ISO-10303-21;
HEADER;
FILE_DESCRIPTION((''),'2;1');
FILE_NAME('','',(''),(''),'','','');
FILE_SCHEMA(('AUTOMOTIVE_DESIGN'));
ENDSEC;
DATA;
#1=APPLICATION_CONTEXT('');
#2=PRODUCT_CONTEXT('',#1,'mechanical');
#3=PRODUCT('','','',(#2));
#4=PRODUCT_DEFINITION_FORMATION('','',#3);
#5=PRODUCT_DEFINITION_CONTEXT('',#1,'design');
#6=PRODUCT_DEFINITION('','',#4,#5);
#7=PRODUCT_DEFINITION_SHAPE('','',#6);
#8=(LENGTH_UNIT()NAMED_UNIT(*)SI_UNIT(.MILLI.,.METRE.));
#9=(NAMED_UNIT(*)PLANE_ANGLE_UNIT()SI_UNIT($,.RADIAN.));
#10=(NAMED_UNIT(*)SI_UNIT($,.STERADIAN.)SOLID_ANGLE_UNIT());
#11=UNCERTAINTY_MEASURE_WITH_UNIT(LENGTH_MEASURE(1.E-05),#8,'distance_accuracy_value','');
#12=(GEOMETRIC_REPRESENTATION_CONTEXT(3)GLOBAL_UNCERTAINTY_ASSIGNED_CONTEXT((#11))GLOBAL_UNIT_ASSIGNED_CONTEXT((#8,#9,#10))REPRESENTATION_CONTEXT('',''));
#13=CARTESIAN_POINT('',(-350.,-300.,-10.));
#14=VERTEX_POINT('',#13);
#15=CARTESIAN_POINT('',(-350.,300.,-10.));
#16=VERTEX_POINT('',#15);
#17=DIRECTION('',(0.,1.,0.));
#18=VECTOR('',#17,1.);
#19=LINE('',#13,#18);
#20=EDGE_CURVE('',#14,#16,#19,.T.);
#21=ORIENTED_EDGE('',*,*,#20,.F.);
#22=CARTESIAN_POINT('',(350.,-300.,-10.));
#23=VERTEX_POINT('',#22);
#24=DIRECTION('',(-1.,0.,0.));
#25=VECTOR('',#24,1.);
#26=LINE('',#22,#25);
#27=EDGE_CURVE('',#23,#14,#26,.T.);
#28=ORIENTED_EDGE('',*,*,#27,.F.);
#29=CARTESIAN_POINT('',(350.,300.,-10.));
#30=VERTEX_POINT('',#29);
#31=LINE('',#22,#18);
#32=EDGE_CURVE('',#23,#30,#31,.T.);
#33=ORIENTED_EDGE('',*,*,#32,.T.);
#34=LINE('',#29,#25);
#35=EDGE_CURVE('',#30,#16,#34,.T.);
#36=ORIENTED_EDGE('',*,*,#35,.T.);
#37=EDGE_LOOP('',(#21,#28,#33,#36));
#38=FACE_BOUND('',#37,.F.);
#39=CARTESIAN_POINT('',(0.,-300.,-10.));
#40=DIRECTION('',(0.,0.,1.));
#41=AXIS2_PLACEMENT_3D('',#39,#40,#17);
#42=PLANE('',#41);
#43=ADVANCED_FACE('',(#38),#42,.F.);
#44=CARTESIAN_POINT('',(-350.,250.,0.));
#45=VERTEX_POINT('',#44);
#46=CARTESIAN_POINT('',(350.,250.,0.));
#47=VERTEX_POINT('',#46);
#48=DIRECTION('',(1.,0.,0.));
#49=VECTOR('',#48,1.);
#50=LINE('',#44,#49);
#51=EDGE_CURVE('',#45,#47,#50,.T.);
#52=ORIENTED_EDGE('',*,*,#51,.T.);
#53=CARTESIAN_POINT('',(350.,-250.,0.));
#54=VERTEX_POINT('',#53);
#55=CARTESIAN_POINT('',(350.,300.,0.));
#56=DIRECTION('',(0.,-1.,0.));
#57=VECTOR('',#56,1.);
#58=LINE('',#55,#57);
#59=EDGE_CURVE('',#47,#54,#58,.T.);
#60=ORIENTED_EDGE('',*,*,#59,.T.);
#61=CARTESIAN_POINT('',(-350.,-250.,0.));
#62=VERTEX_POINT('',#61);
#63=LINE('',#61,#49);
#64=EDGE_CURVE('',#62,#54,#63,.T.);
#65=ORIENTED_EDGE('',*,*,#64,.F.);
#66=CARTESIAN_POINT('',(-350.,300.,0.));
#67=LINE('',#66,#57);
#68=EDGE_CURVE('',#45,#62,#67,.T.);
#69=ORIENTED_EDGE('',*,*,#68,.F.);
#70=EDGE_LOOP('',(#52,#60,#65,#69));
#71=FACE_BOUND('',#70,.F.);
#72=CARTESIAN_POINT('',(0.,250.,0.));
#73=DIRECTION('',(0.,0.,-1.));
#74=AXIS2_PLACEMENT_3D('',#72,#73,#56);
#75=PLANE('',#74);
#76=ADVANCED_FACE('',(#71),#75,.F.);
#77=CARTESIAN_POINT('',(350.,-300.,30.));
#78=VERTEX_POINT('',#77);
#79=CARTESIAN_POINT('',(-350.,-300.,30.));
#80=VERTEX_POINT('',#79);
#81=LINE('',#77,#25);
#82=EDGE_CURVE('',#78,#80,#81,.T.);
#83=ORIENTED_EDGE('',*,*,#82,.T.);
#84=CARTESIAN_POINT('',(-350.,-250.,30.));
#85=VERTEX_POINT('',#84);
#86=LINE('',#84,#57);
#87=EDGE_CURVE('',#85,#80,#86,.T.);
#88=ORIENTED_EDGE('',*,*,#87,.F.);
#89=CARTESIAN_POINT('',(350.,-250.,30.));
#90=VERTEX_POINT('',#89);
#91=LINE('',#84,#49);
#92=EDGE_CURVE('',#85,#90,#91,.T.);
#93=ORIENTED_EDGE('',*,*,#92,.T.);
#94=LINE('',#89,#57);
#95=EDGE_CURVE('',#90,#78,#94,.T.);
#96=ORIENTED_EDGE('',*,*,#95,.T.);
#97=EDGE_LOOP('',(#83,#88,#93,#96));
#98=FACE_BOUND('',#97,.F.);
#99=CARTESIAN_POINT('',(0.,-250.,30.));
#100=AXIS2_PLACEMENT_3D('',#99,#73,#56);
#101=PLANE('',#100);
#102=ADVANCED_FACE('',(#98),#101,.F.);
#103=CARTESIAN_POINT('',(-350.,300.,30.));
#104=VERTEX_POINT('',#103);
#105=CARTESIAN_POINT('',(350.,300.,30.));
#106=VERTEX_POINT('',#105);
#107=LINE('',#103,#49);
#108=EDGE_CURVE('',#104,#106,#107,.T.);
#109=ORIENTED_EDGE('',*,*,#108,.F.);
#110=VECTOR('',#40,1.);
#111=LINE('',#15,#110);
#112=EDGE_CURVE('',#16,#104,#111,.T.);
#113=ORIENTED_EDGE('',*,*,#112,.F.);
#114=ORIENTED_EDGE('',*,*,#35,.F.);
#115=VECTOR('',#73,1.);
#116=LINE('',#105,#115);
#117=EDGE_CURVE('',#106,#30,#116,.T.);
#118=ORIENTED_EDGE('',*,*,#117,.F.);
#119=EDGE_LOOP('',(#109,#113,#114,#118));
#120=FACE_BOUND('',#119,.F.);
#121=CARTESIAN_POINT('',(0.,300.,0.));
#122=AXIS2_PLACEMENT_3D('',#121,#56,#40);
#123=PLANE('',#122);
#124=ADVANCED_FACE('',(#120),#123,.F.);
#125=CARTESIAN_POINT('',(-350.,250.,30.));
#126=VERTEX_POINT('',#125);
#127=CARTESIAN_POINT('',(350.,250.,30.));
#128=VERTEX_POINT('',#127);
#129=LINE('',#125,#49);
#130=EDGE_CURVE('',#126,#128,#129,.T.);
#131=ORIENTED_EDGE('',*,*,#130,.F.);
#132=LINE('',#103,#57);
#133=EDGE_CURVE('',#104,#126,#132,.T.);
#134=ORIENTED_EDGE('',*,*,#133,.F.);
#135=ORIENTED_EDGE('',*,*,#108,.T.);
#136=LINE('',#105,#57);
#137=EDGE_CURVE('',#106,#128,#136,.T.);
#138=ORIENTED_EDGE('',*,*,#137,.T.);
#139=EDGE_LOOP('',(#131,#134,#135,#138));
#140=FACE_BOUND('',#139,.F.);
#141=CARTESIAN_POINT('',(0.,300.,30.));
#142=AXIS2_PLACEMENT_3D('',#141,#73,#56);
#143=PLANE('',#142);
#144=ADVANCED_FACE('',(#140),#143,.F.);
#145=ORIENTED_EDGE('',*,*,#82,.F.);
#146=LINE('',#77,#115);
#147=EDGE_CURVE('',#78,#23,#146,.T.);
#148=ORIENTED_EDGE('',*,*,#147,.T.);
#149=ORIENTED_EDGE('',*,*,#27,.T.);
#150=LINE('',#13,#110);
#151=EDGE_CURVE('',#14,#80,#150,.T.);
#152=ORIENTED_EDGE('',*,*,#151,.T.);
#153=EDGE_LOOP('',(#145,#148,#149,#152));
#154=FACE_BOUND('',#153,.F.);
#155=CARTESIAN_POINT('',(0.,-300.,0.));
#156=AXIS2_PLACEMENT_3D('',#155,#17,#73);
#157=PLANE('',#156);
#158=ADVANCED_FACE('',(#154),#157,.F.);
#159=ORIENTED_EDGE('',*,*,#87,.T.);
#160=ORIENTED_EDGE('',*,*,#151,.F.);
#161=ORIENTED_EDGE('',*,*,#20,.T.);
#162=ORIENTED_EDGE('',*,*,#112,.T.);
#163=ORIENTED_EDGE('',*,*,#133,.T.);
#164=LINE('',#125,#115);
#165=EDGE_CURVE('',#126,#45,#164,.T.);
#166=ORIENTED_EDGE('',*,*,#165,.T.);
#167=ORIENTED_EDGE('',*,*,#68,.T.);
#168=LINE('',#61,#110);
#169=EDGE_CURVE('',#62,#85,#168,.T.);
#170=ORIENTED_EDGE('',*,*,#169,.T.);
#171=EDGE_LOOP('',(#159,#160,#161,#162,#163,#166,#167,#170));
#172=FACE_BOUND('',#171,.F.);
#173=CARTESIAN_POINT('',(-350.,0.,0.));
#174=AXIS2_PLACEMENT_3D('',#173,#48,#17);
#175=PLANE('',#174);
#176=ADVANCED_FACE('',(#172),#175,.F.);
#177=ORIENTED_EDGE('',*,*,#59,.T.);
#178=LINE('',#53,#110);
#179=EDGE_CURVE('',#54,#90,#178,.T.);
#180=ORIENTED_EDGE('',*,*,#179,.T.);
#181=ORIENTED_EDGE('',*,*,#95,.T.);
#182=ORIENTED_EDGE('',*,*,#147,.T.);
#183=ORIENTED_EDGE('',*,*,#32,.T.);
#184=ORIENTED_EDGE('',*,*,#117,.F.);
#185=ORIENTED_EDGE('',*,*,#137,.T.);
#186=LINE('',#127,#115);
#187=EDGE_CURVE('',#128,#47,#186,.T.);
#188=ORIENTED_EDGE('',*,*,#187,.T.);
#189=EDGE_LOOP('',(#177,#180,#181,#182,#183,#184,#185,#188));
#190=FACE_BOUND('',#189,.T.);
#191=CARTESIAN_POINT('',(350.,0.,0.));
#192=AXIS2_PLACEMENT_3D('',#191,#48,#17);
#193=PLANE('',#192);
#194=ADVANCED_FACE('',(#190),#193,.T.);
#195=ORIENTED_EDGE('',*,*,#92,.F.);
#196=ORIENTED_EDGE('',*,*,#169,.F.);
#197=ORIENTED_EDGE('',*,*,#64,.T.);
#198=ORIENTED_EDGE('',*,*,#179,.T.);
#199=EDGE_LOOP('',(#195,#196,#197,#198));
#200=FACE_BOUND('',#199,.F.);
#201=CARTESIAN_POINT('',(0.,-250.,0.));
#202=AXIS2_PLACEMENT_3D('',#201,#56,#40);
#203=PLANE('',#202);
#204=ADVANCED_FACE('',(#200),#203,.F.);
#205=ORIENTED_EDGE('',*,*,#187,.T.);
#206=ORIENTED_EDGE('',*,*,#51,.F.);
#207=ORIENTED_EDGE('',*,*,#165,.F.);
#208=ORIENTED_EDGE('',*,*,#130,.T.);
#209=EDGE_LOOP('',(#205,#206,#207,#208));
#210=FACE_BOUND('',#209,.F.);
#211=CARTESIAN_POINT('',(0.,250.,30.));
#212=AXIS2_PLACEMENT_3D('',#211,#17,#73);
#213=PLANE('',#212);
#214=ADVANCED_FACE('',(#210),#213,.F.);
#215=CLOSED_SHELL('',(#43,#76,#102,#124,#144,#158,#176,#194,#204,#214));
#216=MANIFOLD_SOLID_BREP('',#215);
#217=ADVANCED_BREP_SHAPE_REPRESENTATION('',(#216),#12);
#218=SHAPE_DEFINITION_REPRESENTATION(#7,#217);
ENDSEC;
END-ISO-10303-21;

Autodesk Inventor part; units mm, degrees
ref_plane "YZ Plane" through (0, 0, 0) normal (1, 0, 0) x (0, 1, 0)
ref_plane "XZ Plane" through (0, 0, 0) normal (0, 1, 0) x (-1, 0, 0)
ref_plane "XY Plane" through (0, 0, 0) normal (0, 0, 1) x (1, 0, 0)
sketch "Skizze1" plane through (0, 0, 0) normal (1, 0, 0) x (0, 1, 0)
  line L0 (300, 30) -> (250, 30)
  line L1 (250, 30) -> (250, 0)
  line L2 (250, 0) -> (300, 0)
  line L3 (300, 0) -> (300, 30)
  line L4 (-250, 30) -> (-300, 30)
  line L5 (-300, 30) -> (-300, 0)
  line L6 (-300, 0) -> (-250, 0)
  line L7 (-250, 0) -> (-250, 30)
  line L8 (300, 0) -> (-300, 0)
  line L9 (-300, 0) -> (-300, -10)
  line L10 (-300, -10) -> (300, -10)
  line L11 (300, -10) -> (300, 0)
  point P0 (0, 0)
  point P1 (0, 0)
  point P2 (250, 0)
  point P3 (-250, 0)
  dimension "d0" = 50
  dimension "d1" = 30
  dimension "d2" = 600
  dimension "d3" = 10
extrude "Extrusion1" add sketch "Skizze1" along normal mid plane 700
properties part number "Drawer" material "Holz (Birke)"
